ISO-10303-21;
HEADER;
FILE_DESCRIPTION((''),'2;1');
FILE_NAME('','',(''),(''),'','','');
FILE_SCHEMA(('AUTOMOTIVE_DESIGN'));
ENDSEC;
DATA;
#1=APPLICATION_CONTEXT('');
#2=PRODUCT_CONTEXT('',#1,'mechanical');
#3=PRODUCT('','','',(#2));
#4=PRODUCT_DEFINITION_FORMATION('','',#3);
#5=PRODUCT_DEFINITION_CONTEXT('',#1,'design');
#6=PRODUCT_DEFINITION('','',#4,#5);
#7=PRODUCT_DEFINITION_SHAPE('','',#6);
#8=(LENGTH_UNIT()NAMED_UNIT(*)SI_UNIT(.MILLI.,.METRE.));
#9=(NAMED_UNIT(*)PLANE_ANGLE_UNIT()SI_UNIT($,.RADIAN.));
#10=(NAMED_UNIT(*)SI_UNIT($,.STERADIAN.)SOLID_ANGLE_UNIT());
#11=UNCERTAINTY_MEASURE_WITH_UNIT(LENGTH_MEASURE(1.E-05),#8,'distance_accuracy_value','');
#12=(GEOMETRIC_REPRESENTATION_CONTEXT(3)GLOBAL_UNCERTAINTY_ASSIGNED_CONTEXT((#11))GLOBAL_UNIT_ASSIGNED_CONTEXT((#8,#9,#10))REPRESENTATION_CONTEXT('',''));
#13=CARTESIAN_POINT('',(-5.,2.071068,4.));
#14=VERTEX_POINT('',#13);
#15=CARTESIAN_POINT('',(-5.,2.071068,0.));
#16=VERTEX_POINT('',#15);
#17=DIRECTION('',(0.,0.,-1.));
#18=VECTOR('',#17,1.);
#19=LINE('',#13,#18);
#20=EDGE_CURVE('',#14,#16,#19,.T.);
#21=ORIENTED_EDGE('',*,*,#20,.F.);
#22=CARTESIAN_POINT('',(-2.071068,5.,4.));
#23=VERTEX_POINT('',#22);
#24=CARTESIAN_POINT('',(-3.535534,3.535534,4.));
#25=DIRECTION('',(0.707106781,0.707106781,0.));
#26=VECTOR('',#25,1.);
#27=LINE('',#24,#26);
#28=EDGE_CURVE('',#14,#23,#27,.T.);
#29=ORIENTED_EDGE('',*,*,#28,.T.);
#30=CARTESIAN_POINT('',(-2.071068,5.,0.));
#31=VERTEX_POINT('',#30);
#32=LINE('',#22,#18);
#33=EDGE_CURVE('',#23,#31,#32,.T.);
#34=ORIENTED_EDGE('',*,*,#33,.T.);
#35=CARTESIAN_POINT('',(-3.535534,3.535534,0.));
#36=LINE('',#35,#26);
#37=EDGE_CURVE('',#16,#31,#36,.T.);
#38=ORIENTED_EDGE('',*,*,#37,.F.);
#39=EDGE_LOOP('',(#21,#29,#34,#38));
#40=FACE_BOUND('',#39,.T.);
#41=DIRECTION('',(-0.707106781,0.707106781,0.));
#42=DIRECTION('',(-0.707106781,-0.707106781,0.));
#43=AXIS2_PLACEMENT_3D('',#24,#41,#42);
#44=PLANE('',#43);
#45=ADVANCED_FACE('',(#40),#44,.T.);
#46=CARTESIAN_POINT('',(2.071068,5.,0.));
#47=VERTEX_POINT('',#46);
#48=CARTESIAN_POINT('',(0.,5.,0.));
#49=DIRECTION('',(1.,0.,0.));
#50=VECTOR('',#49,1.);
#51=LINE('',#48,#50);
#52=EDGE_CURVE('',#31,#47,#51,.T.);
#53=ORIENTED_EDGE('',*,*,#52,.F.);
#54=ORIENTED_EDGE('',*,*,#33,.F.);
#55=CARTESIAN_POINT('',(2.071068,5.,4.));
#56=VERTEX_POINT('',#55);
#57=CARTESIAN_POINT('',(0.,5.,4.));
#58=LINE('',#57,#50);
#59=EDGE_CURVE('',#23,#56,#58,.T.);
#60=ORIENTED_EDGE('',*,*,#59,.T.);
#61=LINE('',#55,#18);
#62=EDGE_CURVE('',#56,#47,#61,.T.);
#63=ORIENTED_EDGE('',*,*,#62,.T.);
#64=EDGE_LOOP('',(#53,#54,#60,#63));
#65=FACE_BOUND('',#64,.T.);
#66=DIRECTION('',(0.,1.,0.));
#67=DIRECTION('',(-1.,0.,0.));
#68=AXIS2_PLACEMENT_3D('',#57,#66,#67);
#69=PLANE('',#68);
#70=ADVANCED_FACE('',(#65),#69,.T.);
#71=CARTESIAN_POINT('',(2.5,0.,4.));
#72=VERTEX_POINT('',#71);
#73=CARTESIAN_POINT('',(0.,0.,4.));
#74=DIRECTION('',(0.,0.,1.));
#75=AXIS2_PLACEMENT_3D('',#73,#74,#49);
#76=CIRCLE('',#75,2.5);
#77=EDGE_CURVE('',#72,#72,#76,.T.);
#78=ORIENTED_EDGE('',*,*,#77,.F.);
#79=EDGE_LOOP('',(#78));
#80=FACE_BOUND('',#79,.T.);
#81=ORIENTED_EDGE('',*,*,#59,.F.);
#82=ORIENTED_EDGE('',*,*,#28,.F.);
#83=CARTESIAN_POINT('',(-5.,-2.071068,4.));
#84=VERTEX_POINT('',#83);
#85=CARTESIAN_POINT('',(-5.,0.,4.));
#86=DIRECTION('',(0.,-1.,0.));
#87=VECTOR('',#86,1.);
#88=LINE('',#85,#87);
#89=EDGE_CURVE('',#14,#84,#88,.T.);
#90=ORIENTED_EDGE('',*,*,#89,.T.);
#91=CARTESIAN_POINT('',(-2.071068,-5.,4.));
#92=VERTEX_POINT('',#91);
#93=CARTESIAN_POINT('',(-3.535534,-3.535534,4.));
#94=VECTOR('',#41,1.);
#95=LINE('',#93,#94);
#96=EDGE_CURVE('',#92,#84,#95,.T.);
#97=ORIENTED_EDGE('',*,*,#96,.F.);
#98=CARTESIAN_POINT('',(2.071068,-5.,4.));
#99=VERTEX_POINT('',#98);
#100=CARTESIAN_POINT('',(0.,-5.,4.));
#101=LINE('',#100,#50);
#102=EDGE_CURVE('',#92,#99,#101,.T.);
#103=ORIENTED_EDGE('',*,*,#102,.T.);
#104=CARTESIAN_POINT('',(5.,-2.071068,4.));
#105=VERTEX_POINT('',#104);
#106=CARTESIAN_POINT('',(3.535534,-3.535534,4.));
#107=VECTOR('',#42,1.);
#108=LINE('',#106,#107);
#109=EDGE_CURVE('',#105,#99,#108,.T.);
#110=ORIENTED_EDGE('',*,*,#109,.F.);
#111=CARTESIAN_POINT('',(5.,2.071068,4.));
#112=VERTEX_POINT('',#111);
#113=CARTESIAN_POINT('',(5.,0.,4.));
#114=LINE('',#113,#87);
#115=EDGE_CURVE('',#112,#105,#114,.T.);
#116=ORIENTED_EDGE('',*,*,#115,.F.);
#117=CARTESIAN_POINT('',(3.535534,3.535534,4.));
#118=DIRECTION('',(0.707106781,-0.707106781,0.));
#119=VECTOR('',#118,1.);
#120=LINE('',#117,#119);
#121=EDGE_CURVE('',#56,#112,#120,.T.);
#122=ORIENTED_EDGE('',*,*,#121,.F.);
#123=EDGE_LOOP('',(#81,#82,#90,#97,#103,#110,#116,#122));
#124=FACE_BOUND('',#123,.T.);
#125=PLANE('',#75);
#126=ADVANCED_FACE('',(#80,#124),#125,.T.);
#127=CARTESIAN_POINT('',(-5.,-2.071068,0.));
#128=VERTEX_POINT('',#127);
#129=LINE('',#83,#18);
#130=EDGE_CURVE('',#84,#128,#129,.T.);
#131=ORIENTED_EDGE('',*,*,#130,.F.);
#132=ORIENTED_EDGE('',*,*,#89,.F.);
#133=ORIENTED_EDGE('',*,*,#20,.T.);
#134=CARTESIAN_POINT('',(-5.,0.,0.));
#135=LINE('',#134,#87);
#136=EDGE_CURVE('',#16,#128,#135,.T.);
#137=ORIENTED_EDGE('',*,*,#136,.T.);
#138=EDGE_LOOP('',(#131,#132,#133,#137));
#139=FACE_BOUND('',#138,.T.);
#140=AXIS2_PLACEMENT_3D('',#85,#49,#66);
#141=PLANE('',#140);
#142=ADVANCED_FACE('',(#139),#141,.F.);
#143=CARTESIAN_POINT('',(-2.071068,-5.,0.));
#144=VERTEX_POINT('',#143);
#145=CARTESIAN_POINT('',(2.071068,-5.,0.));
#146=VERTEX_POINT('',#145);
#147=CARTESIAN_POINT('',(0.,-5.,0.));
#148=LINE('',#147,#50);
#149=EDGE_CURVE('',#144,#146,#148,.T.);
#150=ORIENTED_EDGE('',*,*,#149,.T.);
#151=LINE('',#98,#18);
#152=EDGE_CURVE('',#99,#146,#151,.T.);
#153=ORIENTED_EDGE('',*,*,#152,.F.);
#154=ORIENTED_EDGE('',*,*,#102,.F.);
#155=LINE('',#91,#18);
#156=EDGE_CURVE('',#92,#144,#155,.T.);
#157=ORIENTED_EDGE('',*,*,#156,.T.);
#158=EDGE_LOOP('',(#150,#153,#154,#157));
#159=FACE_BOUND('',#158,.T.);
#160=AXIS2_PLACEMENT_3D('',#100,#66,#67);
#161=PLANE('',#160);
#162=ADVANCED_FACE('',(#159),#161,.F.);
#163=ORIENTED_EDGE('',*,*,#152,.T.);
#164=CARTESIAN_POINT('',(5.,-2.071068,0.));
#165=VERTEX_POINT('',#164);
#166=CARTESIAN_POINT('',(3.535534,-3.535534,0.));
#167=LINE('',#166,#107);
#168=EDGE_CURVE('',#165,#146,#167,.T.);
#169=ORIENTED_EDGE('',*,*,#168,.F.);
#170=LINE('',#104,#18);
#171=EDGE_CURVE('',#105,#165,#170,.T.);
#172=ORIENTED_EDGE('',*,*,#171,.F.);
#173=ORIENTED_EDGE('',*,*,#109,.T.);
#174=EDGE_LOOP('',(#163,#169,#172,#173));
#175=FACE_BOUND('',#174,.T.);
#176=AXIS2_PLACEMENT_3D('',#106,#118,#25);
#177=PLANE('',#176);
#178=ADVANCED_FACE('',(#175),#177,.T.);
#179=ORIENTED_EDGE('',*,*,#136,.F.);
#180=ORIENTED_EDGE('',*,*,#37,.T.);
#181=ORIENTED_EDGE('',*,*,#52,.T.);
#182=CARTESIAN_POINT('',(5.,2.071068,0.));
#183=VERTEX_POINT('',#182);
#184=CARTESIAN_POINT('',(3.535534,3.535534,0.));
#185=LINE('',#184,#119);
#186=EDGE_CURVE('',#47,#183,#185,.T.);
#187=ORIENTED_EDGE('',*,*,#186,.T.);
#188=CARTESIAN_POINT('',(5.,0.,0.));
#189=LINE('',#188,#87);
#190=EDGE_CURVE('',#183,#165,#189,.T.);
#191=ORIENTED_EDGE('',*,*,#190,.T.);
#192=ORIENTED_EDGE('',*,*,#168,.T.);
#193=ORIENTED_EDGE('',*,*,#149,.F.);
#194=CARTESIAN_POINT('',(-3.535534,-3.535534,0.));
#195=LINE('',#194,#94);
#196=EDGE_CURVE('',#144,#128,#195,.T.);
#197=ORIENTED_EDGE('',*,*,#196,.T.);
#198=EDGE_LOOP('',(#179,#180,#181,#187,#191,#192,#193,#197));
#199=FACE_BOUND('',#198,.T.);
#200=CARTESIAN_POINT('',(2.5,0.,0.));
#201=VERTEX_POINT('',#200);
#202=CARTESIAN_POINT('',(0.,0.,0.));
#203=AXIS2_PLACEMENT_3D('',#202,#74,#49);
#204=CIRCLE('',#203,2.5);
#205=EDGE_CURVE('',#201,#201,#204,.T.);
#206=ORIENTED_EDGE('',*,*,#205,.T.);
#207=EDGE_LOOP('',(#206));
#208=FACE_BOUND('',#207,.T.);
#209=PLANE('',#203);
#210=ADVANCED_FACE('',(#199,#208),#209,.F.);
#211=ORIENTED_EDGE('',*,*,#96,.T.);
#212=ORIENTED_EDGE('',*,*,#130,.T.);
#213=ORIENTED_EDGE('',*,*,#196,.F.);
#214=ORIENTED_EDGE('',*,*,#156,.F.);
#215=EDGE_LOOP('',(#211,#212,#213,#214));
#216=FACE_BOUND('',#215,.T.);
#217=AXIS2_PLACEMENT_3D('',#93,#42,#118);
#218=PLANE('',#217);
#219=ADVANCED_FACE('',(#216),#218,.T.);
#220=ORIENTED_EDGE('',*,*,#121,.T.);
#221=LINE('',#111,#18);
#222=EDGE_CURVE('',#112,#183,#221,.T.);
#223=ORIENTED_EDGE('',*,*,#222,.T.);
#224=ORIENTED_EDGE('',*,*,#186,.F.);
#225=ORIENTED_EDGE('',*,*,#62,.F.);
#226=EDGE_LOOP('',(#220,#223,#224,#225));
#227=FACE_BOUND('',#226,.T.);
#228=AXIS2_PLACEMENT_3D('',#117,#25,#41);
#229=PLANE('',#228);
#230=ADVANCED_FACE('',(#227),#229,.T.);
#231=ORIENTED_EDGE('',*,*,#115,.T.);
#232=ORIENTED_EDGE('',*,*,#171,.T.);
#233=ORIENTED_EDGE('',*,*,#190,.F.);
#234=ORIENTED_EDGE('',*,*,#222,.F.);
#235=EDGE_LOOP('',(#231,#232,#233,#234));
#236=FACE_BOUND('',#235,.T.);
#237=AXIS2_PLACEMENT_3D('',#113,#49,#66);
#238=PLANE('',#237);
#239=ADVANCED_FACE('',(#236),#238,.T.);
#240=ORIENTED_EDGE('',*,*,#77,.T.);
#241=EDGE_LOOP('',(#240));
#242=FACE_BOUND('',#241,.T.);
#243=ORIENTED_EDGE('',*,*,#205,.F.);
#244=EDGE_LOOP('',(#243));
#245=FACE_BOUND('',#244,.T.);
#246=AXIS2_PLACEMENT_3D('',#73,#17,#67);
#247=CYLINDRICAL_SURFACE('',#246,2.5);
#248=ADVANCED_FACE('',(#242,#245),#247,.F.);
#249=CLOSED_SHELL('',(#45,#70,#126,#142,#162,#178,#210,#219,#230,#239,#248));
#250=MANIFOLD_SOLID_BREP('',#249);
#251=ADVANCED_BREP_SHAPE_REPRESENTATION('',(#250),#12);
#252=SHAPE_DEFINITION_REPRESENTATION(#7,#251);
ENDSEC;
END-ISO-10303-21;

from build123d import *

# Parameters (mm, degrees)
ESQUISSE1_R        = 2.5
BOSS_EXTRU_1_DEPTH = 4


with BuildPart() as part:
    # Esquisse1 → Boss.-Extru.1 (new body)
    with BuildSketch(Plane.XY):
        Polygon((-5, -2.071067812), (-3.535533906, -3.535533906), (-2.071067812, -5), (2.071067812, -5), (3.535533906, -3.535533906), (5, -2.071067812), (5, 2.071067812), (3.535533906, 3.535533906), (2.071067812, 5), (-2.071067812, 5), (-3.535533906, 3.535533906), (-5, 2.071067812), (-5, 0), align=None)
        Circle(ESQUISSE1_R, mode=Mode.SUBTRACT)
    extrude(amount=BOSS_EXTRU_1_DEPTH)


solid = part.part
